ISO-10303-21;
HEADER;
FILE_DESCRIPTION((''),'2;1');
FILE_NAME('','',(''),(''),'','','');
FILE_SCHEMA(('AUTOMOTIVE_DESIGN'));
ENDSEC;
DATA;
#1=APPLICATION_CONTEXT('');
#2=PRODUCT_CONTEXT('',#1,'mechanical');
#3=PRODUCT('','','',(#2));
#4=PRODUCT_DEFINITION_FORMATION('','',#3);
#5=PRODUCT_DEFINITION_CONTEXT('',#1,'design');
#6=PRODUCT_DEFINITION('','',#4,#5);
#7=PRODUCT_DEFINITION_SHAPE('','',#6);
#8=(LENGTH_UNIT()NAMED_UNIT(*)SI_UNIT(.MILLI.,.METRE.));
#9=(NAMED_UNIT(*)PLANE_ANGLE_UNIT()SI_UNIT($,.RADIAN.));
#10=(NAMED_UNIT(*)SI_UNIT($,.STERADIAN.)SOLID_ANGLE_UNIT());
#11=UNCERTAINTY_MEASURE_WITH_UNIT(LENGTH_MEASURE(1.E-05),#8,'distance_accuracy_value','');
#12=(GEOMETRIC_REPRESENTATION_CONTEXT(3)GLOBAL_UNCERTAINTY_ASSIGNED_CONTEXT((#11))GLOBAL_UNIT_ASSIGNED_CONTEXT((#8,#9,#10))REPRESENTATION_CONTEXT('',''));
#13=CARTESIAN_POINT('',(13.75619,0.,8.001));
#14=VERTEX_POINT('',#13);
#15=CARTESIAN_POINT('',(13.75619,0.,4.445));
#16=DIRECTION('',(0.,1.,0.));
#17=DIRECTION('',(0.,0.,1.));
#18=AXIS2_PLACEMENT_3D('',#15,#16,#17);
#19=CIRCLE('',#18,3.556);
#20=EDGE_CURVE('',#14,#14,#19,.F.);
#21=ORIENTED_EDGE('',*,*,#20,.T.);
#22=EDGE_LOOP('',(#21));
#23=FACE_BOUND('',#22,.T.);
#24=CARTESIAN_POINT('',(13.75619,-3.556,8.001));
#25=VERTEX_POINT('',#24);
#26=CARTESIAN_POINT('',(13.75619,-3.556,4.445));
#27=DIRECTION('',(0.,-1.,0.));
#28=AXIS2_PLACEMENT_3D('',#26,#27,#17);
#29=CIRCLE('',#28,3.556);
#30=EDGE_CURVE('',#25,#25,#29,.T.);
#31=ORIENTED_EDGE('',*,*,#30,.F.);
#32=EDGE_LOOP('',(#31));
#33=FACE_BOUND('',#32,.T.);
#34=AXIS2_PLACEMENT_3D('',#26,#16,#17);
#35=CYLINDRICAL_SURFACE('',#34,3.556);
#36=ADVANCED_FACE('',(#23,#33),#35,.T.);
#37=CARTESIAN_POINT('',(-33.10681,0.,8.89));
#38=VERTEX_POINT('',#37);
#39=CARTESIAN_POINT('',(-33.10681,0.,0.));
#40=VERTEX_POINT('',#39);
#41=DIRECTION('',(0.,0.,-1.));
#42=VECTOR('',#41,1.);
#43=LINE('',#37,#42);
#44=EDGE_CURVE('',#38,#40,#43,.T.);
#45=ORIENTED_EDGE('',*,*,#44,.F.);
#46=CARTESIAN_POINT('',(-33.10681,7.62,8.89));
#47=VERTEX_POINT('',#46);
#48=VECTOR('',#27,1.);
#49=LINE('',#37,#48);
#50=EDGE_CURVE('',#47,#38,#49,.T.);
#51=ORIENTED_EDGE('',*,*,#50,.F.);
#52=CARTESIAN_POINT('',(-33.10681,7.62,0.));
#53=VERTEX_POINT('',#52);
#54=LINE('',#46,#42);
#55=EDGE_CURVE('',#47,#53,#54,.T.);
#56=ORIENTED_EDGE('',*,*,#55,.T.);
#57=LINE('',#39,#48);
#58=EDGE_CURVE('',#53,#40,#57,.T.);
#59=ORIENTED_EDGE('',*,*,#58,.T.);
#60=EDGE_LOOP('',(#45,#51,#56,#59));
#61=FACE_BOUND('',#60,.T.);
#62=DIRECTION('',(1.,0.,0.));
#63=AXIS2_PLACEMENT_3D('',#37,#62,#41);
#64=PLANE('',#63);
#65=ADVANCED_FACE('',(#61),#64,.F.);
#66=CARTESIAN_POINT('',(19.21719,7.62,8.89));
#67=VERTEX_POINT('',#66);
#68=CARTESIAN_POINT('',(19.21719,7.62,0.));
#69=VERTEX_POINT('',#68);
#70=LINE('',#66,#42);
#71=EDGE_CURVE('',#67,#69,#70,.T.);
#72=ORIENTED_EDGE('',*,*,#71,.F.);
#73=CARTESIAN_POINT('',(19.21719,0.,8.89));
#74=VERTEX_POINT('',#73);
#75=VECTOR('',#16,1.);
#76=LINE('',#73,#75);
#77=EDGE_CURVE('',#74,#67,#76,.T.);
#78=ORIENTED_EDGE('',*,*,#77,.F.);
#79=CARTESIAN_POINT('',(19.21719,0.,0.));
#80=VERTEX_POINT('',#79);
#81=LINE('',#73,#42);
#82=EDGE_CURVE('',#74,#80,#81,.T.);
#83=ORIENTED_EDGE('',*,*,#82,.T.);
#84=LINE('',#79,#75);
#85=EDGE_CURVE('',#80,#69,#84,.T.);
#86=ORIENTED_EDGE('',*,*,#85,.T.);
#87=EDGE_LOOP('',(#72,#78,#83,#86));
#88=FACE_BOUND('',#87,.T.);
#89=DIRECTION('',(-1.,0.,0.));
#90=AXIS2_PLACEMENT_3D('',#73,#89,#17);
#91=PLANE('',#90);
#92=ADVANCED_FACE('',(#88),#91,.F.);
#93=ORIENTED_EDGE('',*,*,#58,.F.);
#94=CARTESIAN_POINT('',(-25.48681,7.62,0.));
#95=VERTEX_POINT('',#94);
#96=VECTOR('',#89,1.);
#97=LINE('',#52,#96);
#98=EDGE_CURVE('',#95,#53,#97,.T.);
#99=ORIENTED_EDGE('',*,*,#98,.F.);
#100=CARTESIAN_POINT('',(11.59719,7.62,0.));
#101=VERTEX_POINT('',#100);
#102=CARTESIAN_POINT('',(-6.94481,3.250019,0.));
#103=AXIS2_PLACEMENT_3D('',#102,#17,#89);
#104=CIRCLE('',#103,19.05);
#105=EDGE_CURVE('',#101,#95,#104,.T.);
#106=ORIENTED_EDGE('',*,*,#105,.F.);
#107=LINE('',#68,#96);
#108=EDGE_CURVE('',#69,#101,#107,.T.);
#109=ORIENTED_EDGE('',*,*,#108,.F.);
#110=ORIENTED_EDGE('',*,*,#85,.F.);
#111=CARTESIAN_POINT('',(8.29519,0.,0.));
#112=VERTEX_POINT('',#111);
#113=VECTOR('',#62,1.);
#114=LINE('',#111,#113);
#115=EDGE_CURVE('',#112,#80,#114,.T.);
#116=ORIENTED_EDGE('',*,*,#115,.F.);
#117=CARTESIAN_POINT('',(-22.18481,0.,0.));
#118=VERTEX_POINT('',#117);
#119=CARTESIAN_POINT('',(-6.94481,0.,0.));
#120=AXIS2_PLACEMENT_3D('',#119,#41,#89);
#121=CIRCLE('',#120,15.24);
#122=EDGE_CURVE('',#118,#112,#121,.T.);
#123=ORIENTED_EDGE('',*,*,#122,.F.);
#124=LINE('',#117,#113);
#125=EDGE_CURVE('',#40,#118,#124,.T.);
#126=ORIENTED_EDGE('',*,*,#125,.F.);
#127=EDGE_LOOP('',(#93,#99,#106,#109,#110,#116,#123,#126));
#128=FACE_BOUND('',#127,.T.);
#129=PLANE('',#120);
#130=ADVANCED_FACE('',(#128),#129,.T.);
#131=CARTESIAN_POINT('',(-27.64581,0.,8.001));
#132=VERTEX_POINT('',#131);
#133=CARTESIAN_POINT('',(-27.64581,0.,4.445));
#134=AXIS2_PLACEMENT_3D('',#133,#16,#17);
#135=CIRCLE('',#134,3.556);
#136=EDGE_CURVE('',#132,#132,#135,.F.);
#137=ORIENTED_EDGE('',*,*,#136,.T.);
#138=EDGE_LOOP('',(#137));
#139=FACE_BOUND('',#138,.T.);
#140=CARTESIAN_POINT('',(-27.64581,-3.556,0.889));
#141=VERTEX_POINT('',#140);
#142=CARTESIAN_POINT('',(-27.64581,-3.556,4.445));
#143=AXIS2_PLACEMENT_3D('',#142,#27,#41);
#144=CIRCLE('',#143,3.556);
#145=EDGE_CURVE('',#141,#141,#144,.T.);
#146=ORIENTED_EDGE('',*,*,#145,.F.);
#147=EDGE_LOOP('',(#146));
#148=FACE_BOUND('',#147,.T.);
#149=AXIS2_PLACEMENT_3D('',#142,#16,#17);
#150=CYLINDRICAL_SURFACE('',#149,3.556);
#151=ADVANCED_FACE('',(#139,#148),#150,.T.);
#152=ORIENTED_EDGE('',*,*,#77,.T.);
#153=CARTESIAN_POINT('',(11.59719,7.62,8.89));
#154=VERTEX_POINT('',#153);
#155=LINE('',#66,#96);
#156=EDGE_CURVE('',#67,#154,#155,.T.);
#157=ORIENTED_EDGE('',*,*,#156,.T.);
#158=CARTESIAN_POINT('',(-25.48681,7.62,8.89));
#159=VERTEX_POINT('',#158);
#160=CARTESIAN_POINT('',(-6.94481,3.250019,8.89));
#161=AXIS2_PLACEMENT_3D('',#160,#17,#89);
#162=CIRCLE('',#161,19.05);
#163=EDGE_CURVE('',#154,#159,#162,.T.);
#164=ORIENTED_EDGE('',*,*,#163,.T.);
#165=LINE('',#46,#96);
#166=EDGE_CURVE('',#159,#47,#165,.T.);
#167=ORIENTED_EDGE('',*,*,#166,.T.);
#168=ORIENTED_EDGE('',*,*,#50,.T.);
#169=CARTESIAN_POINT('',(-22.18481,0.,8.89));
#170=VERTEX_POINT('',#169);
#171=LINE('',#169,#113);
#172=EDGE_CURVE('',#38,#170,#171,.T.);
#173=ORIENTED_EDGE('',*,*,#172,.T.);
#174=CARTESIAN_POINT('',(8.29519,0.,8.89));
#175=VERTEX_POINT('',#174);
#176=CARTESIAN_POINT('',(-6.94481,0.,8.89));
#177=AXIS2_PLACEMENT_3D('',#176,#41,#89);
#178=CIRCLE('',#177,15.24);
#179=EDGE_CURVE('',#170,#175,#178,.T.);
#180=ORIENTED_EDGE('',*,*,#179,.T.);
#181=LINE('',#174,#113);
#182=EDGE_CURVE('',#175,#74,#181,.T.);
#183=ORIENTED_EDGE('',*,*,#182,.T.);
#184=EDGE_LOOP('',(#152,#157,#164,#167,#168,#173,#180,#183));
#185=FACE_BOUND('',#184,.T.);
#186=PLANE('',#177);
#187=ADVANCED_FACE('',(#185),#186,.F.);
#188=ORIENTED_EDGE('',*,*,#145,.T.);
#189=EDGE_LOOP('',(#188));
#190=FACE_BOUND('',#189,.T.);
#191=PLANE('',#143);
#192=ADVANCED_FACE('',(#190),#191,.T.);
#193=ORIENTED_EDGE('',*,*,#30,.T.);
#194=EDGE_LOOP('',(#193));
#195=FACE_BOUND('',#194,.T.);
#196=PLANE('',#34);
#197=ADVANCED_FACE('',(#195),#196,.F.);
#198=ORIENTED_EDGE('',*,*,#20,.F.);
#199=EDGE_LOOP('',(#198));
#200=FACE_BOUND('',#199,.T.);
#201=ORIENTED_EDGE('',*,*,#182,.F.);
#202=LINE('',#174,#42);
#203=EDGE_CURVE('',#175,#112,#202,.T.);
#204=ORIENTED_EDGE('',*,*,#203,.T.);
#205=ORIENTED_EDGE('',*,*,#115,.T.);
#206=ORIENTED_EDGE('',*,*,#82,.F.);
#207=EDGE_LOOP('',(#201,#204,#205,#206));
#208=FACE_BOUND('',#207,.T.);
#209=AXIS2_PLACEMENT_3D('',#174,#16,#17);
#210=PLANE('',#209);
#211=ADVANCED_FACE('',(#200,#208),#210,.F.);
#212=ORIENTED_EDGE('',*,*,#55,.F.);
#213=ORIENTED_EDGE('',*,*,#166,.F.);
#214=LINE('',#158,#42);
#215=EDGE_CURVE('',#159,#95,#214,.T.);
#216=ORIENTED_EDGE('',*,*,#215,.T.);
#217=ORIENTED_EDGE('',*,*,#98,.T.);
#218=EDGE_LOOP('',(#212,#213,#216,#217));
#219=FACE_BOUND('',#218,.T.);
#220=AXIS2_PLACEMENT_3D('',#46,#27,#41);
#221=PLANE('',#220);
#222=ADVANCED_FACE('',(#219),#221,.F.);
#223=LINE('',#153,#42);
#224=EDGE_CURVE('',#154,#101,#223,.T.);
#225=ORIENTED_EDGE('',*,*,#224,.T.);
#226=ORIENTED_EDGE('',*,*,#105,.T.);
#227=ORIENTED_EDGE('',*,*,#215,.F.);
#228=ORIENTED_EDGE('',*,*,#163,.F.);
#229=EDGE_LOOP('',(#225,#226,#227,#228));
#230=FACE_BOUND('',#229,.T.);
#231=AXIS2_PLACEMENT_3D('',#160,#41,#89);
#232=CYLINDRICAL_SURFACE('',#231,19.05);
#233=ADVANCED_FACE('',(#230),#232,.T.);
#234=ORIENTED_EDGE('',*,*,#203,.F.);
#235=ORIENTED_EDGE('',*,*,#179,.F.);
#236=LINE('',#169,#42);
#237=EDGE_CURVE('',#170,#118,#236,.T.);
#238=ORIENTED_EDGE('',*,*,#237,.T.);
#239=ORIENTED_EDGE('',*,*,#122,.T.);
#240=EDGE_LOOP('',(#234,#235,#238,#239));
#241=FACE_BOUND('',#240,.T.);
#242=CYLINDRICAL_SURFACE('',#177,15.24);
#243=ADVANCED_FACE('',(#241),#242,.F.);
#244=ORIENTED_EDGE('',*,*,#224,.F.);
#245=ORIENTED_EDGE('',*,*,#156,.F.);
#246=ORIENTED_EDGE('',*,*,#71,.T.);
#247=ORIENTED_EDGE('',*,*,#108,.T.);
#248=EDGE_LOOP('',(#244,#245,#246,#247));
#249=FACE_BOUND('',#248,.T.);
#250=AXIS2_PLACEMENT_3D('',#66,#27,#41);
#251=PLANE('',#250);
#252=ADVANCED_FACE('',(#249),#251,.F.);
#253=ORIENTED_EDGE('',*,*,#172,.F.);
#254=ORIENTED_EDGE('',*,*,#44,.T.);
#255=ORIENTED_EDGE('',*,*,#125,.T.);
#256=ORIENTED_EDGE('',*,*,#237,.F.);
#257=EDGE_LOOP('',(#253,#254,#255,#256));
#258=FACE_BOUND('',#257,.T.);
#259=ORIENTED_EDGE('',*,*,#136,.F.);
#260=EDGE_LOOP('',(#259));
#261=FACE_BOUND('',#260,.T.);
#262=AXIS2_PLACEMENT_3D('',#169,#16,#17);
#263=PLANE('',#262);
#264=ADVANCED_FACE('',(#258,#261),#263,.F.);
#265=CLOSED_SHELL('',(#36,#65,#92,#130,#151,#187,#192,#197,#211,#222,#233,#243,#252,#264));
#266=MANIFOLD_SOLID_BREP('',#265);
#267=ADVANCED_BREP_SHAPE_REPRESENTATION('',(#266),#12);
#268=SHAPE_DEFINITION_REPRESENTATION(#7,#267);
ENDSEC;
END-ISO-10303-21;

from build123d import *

# Parameters (mm, degrees)
BOSS_EXTRUDE1_DEPTH = 8.89
SKETCH3_R           = 3.556
BOSS_EXTRUDE2_DEPTH = 3.556


with BuildPart() as part:
    # Sketch2 → Boss-Extrude1 (new body)
    with BuildSketch(Plane.XY):
        with BuildLine():
            Line((-22.184810127, 0), (-33.106810127, 0))
            Line((-33.106810127, 0), (-33.106810127, 7.62))
            Line((-33.106810127, 7.62), (-25.486810127, 7.62))
            ThreePointArc((-25.486810127, 7.62), (-6.944810127, 22.300018764), (11.597189873, 7.62))
            Line((11.597189873, 7.62), (19.217189873, 7.62))
            Line((19.217189873, 7.62), (19.217189873, 0))
            Line((19.217189873, 0), (8.295189873, 0))
            ThreePointArc((8.295189873, 0), (-6.944810127, 15.24), (-22.184810127, 0))
        make_face()
    extrude(amount=BOSS_EXTRUDE1_DEPTH)

    # Sketch3 → Boss-Extrude2 (add)
    with BuildSketch(Plane.XZ):
        with Locations(Location((-27.645810127, 4.445, 0), (0, 0, 90))):
            Circle(SKETCH3_R)
        with Locations(Location((13.756189873, 4.445, 0), (0, 0, 90))):
            Circle(SKETCH3_R)
    extrude(amount=BOSS_EXTRUDE2_DEPTH)


solid = part.part
